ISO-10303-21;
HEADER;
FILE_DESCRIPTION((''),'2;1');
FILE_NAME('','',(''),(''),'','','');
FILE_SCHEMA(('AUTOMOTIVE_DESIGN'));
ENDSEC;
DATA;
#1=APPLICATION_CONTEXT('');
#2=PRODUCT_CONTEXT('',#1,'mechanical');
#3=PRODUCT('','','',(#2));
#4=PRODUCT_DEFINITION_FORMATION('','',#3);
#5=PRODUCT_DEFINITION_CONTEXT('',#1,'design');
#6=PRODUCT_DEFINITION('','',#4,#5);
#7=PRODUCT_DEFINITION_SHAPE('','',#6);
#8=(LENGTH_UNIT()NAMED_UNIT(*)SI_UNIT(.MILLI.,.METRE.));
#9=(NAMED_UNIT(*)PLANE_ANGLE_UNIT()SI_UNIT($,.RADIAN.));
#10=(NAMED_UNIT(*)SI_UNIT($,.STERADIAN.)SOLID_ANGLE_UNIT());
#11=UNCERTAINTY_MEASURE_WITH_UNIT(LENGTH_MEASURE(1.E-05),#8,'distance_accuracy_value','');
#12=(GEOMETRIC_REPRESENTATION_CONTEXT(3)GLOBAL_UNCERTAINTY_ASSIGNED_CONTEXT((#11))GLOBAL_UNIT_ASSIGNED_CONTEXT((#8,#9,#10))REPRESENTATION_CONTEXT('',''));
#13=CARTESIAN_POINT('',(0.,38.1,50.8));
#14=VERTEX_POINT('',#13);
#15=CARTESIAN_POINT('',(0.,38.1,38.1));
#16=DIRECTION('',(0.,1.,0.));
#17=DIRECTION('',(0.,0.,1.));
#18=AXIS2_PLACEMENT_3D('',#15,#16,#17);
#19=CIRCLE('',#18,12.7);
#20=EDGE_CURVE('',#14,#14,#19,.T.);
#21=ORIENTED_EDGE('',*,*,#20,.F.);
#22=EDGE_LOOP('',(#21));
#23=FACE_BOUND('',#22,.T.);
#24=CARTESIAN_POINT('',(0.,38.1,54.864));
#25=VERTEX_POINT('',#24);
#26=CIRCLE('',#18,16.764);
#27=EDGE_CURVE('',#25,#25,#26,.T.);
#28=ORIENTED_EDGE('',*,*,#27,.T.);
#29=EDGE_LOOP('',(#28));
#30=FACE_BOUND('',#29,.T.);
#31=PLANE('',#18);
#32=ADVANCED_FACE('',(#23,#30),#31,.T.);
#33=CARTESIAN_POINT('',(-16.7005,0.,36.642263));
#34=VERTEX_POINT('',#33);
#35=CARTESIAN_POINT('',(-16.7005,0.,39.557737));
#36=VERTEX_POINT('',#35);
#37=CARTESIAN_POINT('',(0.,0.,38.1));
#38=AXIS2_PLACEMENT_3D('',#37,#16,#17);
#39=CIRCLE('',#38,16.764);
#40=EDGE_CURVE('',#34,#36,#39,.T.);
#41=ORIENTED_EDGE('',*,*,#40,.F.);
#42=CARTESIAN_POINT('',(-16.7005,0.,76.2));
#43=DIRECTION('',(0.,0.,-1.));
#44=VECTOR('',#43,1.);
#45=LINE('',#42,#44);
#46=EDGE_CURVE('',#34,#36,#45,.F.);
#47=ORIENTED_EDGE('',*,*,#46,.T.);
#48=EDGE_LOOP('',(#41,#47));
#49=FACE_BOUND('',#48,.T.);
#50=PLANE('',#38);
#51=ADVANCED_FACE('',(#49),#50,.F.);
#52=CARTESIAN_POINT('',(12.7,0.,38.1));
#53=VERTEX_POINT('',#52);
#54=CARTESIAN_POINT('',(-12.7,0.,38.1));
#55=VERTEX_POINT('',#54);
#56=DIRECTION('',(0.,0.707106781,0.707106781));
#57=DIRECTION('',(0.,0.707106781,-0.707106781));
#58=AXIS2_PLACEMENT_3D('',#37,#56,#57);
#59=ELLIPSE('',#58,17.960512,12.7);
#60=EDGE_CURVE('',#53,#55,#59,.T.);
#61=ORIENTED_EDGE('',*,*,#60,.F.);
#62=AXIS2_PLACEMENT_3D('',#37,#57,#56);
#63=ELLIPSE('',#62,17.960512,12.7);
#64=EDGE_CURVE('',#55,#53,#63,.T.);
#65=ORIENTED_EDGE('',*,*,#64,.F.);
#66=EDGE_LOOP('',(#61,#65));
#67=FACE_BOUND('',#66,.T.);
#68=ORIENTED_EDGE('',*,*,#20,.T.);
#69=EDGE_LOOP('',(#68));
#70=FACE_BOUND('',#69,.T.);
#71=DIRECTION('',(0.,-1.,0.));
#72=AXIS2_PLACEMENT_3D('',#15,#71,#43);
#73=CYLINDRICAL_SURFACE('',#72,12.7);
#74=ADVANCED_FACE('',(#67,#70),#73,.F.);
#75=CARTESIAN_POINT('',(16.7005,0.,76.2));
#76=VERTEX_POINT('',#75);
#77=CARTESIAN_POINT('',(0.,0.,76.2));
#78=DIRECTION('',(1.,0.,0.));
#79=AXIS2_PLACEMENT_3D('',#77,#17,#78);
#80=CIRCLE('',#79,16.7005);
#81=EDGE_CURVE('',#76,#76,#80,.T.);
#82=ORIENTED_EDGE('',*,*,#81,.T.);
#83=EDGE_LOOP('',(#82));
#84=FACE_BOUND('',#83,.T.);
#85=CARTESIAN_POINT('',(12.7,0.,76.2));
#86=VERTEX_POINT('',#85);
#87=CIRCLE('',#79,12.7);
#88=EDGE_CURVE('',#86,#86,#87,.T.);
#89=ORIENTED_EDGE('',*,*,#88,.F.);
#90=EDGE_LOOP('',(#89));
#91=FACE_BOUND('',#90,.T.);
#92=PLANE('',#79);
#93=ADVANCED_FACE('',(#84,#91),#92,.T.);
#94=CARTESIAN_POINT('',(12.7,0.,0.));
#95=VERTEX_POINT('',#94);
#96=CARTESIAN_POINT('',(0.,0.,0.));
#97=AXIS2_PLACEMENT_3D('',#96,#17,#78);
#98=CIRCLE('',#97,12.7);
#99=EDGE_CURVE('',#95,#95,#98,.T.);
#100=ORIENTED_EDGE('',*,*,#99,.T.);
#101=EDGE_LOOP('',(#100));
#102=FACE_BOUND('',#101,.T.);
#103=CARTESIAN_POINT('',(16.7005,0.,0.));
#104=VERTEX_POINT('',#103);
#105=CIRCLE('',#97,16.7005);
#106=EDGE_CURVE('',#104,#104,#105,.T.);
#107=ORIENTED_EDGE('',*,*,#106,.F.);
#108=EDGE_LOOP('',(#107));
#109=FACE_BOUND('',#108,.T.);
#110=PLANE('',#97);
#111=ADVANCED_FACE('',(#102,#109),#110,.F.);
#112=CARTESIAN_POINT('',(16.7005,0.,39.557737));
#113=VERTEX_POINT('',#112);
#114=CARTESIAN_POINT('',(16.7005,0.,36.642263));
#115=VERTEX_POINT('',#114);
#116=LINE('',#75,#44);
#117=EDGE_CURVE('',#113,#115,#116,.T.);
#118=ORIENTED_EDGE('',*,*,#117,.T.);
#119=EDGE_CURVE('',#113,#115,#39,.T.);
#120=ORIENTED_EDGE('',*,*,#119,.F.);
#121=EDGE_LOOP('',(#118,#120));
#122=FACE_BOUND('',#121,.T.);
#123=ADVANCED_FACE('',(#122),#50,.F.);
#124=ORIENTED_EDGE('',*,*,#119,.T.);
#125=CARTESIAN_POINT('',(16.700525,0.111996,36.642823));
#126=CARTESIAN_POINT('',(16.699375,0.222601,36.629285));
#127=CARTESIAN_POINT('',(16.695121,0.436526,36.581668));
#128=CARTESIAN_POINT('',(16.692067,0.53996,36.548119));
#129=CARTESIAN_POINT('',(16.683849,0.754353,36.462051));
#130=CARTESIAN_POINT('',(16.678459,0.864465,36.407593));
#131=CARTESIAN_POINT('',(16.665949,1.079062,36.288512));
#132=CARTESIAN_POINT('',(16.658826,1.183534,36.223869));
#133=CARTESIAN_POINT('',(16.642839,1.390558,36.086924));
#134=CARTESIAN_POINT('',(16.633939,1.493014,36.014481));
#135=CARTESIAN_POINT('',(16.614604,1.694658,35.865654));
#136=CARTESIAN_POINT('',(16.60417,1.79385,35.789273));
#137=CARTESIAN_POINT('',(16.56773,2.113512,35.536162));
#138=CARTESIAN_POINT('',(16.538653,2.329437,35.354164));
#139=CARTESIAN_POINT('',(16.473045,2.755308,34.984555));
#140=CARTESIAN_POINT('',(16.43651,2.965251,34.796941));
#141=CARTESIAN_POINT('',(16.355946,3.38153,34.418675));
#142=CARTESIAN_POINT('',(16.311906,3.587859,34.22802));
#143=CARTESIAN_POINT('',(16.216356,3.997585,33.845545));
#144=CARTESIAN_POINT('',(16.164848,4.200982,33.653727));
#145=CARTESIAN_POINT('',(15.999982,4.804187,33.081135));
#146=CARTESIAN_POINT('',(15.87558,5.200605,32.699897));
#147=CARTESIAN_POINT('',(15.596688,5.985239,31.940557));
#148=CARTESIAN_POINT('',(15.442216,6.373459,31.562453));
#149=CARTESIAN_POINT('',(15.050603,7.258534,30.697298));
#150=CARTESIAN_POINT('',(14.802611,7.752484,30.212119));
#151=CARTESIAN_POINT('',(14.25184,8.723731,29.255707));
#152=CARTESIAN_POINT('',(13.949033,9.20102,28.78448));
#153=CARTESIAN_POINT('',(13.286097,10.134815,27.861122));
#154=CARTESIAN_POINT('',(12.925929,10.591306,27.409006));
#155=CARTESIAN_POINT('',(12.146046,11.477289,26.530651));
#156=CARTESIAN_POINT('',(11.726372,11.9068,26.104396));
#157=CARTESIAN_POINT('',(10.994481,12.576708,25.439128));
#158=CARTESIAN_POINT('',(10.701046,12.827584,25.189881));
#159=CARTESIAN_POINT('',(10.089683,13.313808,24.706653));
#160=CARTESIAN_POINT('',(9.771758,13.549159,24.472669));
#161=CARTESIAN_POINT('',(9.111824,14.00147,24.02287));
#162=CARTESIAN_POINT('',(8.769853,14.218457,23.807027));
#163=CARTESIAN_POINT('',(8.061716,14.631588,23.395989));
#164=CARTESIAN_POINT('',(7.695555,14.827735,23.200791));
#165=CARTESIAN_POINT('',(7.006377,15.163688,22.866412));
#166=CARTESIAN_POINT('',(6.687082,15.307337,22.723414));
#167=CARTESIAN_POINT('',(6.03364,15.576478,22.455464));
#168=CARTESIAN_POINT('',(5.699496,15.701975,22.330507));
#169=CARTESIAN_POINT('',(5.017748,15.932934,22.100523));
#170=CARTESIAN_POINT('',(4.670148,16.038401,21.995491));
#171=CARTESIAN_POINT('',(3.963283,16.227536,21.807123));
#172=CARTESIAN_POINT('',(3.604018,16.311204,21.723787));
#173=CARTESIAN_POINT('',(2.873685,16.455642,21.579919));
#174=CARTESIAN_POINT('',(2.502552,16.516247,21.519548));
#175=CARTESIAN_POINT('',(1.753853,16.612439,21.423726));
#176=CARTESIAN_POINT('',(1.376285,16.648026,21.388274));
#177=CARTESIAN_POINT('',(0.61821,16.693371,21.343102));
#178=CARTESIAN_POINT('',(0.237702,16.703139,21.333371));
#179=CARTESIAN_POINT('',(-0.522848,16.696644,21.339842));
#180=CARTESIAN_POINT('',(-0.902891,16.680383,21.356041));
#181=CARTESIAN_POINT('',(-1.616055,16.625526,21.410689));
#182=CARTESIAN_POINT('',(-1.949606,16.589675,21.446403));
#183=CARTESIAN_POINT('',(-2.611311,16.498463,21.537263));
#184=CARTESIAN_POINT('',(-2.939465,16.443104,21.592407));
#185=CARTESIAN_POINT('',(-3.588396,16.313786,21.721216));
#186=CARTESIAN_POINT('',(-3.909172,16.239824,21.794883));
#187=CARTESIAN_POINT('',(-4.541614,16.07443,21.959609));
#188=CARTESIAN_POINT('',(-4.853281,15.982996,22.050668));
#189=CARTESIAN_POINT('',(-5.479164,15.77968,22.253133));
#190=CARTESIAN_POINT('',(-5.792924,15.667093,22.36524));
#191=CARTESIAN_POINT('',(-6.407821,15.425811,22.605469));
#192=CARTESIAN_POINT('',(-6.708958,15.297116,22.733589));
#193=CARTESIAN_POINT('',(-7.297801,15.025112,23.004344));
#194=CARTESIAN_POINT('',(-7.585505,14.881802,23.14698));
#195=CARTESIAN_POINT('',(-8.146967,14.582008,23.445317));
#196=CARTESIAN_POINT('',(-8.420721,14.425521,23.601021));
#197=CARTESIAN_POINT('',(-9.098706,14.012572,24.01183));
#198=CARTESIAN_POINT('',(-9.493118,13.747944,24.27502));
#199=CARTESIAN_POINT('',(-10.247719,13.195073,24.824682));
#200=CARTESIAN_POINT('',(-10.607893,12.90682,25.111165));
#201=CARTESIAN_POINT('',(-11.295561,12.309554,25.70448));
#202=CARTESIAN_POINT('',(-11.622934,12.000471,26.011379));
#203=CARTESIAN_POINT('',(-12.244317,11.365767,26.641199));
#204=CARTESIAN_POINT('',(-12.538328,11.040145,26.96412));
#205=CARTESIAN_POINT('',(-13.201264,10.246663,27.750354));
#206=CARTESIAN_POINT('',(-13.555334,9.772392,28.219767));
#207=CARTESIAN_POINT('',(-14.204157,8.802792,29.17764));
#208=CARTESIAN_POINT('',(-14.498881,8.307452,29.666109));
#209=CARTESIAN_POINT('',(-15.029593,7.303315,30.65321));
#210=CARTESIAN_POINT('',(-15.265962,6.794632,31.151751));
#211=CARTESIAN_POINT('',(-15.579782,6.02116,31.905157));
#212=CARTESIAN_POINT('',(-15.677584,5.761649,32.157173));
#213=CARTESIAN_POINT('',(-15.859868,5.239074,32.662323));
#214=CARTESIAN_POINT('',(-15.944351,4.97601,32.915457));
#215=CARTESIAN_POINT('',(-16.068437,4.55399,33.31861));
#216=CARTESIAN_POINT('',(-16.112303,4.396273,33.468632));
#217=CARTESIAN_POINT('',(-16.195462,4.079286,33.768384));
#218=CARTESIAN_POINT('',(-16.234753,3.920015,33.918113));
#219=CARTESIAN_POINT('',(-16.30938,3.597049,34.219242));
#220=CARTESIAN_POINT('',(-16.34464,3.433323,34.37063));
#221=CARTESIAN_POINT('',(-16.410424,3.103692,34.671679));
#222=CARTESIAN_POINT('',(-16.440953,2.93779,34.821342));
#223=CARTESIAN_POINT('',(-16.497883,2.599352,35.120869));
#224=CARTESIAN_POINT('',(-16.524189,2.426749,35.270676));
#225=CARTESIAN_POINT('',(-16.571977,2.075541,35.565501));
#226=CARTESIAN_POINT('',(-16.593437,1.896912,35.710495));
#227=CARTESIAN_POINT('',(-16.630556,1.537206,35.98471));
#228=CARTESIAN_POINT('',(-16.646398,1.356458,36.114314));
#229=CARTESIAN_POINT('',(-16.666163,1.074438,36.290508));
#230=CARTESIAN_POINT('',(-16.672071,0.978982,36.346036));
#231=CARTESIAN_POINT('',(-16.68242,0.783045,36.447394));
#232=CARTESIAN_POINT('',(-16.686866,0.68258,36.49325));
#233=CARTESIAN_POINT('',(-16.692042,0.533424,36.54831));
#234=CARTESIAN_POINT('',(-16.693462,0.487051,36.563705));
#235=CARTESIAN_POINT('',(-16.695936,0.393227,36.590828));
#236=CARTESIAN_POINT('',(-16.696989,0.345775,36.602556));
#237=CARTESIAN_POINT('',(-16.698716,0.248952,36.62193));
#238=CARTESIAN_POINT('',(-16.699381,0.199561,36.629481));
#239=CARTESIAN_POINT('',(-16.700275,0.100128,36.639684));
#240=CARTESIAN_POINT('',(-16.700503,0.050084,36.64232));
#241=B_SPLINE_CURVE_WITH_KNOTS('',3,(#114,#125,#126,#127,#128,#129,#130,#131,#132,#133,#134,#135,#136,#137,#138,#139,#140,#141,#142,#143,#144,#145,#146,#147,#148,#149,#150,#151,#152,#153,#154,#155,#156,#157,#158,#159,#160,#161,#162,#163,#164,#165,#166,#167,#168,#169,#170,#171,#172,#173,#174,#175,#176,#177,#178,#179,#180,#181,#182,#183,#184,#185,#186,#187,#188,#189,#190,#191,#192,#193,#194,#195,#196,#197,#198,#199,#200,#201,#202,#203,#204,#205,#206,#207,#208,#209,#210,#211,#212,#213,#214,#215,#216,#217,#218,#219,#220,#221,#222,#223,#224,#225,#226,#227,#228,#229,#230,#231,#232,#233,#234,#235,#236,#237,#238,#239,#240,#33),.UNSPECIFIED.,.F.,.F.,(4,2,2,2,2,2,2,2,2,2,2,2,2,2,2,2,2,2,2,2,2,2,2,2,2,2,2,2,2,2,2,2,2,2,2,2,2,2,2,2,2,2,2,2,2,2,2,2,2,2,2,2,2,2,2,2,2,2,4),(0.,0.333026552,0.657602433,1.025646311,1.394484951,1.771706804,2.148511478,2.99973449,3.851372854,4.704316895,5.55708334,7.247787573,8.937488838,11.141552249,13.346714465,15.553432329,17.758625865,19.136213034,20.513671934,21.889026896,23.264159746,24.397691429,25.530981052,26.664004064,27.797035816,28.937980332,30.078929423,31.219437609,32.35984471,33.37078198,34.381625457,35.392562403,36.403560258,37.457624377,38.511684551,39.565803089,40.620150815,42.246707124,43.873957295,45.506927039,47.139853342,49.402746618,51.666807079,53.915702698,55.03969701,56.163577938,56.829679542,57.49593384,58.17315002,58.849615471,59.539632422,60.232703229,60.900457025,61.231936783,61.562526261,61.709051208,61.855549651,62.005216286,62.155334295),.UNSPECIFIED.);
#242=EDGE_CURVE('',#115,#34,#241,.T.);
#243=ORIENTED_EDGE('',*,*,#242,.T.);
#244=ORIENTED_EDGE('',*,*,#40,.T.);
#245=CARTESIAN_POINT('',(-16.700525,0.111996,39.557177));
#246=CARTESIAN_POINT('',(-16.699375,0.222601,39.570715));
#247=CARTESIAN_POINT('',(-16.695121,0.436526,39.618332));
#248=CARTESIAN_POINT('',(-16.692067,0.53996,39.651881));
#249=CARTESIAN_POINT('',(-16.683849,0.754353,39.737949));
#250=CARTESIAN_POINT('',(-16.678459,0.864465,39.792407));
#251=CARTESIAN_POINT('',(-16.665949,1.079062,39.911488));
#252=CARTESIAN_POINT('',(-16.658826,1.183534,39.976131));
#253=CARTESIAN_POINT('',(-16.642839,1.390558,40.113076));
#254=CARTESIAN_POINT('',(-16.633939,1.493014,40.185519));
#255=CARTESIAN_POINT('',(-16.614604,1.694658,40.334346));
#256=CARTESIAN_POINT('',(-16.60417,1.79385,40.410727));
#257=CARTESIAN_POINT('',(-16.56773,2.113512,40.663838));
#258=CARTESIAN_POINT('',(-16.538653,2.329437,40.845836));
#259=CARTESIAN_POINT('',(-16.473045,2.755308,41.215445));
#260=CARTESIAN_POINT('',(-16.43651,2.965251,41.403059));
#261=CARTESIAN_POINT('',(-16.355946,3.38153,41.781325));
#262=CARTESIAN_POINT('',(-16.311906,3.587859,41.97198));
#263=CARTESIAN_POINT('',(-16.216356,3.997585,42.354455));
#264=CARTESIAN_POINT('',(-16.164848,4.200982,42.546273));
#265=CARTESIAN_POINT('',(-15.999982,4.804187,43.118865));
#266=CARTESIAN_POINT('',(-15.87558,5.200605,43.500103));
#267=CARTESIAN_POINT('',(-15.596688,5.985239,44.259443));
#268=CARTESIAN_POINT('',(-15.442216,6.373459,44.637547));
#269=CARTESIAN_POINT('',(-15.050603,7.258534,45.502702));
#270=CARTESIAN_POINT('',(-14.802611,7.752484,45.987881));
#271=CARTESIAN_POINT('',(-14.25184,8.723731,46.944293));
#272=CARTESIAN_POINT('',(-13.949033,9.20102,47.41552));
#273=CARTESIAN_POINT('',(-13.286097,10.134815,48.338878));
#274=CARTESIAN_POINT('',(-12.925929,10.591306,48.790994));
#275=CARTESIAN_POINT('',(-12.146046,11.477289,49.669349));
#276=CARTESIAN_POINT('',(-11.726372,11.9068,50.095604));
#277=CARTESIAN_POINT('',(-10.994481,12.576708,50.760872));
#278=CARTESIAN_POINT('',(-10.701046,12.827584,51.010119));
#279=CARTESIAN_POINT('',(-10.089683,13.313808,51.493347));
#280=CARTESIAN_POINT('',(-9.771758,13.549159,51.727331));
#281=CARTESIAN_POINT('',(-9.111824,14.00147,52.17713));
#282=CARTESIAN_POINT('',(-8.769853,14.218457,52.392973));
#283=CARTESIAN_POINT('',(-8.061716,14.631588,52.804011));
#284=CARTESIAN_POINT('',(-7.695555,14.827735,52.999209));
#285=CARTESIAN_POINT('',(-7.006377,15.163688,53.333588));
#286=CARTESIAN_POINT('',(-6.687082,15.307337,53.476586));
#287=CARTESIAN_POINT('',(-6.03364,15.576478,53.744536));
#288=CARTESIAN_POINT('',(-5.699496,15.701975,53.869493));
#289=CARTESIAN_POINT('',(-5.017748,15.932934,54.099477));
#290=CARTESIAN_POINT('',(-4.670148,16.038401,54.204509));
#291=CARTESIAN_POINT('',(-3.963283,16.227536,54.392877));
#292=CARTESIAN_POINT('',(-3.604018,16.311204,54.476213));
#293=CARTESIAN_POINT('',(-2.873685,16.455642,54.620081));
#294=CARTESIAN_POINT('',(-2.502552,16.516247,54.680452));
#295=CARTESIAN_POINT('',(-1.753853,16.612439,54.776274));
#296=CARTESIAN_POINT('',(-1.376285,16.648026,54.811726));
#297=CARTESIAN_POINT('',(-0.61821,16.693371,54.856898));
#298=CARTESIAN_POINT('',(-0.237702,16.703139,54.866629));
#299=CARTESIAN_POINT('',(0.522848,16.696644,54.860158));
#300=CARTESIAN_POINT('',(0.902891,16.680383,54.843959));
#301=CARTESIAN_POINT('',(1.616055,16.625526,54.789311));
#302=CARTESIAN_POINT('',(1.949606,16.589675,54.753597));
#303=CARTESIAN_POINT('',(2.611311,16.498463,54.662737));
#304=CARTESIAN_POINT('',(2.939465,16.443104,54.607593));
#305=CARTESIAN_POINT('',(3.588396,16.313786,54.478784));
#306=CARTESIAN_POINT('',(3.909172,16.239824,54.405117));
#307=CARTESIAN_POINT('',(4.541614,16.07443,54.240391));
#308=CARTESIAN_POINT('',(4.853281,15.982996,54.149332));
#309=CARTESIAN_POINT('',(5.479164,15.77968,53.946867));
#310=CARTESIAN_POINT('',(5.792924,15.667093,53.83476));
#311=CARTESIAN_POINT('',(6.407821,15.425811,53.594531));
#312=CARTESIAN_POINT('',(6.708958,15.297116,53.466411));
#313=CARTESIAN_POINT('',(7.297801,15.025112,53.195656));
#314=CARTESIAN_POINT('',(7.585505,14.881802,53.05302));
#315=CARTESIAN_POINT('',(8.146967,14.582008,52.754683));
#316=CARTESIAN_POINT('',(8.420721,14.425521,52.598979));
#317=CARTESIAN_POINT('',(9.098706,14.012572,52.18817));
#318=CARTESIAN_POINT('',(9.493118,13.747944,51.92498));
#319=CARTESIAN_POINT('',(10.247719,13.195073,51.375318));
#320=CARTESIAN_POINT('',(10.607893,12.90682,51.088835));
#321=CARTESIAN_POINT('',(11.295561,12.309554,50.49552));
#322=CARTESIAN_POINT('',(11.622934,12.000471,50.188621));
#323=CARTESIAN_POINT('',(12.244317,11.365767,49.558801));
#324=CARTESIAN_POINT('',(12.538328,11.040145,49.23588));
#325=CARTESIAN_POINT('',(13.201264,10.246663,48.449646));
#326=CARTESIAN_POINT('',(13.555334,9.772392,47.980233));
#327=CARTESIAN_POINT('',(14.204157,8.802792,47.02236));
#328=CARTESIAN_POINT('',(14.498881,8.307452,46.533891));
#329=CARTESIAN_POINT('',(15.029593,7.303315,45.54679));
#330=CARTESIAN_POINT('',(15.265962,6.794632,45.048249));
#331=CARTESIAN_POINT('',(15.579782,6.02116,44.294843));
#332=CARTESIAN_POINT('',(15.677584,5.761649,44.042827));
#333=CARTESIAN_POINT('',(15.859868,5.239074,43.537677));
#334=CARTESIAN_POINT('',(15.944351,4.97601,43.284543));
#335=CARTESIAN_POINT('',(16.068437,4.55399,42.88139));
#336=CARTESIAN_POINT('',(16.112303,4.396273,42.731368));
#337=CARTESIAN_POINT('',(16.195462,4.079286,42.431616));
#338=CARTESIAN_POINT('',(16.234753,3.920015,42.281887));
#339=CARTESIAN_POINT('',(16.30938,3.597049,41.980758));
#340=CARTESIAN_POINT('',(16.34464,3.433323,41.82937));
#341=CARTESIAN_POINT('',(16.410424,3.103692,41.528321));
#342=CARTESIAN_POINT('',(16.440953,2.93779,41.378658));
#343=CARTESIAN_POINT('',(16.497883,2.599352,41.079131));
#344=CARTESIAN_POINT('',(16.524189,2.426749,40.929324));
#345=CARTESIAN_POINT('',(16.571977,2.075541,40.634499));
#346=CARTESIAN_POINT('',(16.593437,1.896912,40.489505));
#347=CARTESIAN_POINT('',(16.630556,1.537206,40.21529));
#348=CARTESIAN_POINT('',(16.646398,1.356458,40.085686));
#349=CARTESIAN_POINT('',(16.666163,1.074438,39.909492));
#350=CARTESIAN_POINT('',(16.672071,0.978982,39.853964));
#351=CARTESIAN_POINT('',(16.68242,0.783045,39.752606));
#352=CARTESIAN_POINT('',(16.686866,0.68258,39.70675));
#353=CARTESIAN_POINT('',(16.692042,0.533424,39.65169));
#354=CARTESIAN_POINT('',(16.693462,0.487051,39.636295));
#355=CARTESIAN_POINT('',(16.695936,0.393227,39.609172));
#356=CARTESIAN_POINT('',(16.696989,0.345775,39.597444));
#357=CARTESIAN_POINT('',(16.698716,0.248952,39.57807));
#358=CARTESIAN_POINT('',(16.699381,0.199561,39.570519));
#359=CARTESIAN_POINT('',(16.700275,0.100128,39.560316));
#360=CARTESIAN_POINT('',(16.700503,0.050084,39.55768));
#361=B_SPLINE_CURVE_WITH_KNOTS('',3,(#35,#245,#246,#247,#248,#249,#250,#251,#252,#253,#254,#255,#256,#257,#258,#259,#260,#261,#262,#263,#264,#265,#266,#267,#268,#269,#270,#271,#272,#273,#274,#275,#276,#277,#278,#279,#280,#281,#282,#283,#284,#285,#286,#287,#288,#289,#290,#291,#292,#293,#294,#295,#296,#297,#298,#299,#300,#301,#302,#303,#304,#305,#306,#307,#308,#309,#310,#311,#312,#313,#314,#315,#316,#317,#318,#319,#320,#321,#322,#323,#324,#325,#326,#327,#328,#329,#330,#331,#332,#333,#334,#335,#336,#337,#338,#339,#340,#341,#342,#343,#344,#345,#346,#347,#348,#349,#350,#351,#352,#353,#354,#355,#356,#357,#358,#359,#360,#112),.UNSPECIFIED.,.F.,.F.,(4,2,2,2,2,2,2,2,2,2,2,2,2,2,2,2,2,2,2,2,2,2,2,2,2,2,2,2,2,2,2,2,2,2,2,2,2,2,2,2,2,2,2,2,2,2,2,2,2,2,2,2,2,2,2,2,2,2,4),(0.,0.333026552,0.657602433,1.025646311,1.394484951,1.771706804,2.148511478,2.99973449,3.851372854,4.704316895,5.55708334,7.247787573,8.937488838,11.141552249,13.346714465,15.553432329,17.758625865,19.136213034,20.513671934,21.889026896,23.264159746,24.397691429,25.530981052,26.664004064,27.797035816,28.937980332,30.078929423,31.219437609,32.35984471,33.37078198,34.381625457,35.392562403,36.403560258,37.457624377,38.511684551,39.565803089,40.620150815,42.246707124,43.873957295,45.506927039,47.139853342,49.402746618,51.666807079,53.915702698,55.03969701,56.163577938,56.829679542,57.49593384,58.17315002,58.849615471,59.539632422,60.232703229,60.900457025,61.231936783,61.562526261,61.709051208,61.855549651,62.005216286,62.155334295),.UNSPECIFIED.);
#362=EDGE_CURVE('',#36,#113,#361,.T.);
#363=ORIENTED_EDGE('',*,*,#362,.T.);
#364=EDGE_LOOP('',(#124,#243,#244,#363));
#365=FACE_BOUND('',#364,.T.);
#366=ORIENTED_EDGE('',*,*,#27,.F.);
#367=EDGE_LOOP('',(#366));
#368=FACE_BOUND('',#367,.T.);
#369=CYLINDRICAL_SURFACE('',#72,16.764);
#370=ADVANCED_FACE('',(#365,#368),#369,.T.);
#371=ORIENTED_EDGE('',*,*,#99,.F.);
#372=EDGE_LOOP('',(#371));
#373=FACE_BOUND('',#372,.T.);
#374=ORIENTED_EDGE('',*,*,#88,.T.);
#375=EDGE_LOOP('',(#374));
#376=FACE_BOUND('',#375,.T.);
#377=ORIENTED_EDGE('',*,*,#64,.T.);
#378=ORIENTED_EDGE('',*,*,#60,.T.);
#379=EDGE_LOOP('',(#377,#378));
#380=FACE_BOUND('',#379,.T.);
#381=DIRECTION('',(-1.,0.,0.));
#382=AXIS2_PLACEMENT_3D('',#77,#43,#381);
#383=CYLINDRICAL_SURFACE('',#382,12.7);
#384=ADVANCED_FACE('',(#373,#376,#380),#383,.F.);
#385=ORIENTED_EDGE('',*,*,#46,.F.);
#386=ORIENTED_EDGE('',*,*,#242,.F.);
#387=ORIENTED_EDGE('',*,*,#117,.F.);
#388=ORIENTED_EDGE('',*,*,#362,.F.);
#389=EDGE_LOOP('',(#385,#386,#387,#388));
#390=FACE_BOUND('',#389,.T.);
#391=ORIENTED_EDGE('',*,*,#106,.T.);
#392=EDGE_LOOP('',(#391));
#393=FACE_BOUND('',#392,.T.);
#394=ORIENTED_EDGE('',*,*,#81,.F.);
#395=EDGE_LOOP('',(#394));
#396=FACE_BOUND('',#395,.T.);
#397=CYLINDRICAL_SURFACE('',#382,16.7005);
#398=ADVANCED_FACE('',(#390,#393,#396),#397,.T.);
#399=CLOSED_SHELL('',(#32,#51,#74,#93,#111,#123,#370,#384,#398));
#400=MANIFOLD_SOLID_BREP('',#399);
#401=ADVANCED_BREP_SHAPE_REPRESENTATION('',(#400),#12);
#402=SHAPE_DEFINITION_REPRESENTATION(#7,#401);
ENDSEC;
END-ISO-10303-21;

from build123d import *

# Parameters (mm, degrees)
SKETCH1_R           = 16.7005
SKETCH1_R_2         = 12.7
BOSS_EXTRUDE1_DEPTH = 76.2
SKETCH2_R           = 16.764
SKETCH2_R_2         = 12.7
BOSS_EXTRUDE2_DEPTH = 38.1
SKETCH4_R           = 12.7
CUT_EXTRUDE2_DEPTH  = 77.2000001
CUT_EXTRUDE3_REACH  = 56.801
SKETCH5_R           = 12.7


with BuildPart() as part:
    # Sketch1 → Boss-Extrude1 (new body)
    with BuildSketch(Plane.XY):
        Circle(SKETCH1_R)
        Circle(SKETCH1_R_2, mode=Mode.SUBTRACT)
    extrude(amount=BOSS_EXTRUDE1_DEPTH)

    # Sketch2 → Boss-Extrude2 (add)
    with BuildSketch(Plane(origin=(0, 0, 0), x_dir=(1, 0, 0), z_dir=(0, 1, 0))):
        with Locations((0, -38.1)):
            Circle(SKETCH2_R)
        with Locations((0, -38.1)):
            Circle(SKETCH2_R_2, mode=Mode.SUBTRACT)
    extrude(amount=BOSS_EXTRUDE2_DEPTH)

    # Sketch4 → Cut-Extrude2 (cut, through all)
    with BuildSketch(Plane.XY.offset(76.2)):
        Circle(SKETCH4_R)
    extrude(amount=-CUT_EXTRUDE2_DEPTH, mode=Mode.SUBTRACT)

    # Sketch5 → Cut-Extrude3 (cut, up to next)
    with BuildSketch(Plane(origin=(0, 38.1, 0), x_dir=(1, 0, 0), z_dir=(0, 1, 0)), mode=Mode.PRIVATE) as cut_extrude3_sk1:
        with Locations((0, -38.1)):
            Circle(SKETCH5_R)
    cut_extrude3_tool1 = extrude(cut_extrude3_sk1.sketch, amount=-CUT_EXTRUDE3_REACH, mode=Mode.PRIVATE) & part.part
    add(cut_extrude3_tool1.solids().sort_by_distance((0, 38.1, 38.1))[0], mode=Mode.SUBTRACT)


solid = part.part
